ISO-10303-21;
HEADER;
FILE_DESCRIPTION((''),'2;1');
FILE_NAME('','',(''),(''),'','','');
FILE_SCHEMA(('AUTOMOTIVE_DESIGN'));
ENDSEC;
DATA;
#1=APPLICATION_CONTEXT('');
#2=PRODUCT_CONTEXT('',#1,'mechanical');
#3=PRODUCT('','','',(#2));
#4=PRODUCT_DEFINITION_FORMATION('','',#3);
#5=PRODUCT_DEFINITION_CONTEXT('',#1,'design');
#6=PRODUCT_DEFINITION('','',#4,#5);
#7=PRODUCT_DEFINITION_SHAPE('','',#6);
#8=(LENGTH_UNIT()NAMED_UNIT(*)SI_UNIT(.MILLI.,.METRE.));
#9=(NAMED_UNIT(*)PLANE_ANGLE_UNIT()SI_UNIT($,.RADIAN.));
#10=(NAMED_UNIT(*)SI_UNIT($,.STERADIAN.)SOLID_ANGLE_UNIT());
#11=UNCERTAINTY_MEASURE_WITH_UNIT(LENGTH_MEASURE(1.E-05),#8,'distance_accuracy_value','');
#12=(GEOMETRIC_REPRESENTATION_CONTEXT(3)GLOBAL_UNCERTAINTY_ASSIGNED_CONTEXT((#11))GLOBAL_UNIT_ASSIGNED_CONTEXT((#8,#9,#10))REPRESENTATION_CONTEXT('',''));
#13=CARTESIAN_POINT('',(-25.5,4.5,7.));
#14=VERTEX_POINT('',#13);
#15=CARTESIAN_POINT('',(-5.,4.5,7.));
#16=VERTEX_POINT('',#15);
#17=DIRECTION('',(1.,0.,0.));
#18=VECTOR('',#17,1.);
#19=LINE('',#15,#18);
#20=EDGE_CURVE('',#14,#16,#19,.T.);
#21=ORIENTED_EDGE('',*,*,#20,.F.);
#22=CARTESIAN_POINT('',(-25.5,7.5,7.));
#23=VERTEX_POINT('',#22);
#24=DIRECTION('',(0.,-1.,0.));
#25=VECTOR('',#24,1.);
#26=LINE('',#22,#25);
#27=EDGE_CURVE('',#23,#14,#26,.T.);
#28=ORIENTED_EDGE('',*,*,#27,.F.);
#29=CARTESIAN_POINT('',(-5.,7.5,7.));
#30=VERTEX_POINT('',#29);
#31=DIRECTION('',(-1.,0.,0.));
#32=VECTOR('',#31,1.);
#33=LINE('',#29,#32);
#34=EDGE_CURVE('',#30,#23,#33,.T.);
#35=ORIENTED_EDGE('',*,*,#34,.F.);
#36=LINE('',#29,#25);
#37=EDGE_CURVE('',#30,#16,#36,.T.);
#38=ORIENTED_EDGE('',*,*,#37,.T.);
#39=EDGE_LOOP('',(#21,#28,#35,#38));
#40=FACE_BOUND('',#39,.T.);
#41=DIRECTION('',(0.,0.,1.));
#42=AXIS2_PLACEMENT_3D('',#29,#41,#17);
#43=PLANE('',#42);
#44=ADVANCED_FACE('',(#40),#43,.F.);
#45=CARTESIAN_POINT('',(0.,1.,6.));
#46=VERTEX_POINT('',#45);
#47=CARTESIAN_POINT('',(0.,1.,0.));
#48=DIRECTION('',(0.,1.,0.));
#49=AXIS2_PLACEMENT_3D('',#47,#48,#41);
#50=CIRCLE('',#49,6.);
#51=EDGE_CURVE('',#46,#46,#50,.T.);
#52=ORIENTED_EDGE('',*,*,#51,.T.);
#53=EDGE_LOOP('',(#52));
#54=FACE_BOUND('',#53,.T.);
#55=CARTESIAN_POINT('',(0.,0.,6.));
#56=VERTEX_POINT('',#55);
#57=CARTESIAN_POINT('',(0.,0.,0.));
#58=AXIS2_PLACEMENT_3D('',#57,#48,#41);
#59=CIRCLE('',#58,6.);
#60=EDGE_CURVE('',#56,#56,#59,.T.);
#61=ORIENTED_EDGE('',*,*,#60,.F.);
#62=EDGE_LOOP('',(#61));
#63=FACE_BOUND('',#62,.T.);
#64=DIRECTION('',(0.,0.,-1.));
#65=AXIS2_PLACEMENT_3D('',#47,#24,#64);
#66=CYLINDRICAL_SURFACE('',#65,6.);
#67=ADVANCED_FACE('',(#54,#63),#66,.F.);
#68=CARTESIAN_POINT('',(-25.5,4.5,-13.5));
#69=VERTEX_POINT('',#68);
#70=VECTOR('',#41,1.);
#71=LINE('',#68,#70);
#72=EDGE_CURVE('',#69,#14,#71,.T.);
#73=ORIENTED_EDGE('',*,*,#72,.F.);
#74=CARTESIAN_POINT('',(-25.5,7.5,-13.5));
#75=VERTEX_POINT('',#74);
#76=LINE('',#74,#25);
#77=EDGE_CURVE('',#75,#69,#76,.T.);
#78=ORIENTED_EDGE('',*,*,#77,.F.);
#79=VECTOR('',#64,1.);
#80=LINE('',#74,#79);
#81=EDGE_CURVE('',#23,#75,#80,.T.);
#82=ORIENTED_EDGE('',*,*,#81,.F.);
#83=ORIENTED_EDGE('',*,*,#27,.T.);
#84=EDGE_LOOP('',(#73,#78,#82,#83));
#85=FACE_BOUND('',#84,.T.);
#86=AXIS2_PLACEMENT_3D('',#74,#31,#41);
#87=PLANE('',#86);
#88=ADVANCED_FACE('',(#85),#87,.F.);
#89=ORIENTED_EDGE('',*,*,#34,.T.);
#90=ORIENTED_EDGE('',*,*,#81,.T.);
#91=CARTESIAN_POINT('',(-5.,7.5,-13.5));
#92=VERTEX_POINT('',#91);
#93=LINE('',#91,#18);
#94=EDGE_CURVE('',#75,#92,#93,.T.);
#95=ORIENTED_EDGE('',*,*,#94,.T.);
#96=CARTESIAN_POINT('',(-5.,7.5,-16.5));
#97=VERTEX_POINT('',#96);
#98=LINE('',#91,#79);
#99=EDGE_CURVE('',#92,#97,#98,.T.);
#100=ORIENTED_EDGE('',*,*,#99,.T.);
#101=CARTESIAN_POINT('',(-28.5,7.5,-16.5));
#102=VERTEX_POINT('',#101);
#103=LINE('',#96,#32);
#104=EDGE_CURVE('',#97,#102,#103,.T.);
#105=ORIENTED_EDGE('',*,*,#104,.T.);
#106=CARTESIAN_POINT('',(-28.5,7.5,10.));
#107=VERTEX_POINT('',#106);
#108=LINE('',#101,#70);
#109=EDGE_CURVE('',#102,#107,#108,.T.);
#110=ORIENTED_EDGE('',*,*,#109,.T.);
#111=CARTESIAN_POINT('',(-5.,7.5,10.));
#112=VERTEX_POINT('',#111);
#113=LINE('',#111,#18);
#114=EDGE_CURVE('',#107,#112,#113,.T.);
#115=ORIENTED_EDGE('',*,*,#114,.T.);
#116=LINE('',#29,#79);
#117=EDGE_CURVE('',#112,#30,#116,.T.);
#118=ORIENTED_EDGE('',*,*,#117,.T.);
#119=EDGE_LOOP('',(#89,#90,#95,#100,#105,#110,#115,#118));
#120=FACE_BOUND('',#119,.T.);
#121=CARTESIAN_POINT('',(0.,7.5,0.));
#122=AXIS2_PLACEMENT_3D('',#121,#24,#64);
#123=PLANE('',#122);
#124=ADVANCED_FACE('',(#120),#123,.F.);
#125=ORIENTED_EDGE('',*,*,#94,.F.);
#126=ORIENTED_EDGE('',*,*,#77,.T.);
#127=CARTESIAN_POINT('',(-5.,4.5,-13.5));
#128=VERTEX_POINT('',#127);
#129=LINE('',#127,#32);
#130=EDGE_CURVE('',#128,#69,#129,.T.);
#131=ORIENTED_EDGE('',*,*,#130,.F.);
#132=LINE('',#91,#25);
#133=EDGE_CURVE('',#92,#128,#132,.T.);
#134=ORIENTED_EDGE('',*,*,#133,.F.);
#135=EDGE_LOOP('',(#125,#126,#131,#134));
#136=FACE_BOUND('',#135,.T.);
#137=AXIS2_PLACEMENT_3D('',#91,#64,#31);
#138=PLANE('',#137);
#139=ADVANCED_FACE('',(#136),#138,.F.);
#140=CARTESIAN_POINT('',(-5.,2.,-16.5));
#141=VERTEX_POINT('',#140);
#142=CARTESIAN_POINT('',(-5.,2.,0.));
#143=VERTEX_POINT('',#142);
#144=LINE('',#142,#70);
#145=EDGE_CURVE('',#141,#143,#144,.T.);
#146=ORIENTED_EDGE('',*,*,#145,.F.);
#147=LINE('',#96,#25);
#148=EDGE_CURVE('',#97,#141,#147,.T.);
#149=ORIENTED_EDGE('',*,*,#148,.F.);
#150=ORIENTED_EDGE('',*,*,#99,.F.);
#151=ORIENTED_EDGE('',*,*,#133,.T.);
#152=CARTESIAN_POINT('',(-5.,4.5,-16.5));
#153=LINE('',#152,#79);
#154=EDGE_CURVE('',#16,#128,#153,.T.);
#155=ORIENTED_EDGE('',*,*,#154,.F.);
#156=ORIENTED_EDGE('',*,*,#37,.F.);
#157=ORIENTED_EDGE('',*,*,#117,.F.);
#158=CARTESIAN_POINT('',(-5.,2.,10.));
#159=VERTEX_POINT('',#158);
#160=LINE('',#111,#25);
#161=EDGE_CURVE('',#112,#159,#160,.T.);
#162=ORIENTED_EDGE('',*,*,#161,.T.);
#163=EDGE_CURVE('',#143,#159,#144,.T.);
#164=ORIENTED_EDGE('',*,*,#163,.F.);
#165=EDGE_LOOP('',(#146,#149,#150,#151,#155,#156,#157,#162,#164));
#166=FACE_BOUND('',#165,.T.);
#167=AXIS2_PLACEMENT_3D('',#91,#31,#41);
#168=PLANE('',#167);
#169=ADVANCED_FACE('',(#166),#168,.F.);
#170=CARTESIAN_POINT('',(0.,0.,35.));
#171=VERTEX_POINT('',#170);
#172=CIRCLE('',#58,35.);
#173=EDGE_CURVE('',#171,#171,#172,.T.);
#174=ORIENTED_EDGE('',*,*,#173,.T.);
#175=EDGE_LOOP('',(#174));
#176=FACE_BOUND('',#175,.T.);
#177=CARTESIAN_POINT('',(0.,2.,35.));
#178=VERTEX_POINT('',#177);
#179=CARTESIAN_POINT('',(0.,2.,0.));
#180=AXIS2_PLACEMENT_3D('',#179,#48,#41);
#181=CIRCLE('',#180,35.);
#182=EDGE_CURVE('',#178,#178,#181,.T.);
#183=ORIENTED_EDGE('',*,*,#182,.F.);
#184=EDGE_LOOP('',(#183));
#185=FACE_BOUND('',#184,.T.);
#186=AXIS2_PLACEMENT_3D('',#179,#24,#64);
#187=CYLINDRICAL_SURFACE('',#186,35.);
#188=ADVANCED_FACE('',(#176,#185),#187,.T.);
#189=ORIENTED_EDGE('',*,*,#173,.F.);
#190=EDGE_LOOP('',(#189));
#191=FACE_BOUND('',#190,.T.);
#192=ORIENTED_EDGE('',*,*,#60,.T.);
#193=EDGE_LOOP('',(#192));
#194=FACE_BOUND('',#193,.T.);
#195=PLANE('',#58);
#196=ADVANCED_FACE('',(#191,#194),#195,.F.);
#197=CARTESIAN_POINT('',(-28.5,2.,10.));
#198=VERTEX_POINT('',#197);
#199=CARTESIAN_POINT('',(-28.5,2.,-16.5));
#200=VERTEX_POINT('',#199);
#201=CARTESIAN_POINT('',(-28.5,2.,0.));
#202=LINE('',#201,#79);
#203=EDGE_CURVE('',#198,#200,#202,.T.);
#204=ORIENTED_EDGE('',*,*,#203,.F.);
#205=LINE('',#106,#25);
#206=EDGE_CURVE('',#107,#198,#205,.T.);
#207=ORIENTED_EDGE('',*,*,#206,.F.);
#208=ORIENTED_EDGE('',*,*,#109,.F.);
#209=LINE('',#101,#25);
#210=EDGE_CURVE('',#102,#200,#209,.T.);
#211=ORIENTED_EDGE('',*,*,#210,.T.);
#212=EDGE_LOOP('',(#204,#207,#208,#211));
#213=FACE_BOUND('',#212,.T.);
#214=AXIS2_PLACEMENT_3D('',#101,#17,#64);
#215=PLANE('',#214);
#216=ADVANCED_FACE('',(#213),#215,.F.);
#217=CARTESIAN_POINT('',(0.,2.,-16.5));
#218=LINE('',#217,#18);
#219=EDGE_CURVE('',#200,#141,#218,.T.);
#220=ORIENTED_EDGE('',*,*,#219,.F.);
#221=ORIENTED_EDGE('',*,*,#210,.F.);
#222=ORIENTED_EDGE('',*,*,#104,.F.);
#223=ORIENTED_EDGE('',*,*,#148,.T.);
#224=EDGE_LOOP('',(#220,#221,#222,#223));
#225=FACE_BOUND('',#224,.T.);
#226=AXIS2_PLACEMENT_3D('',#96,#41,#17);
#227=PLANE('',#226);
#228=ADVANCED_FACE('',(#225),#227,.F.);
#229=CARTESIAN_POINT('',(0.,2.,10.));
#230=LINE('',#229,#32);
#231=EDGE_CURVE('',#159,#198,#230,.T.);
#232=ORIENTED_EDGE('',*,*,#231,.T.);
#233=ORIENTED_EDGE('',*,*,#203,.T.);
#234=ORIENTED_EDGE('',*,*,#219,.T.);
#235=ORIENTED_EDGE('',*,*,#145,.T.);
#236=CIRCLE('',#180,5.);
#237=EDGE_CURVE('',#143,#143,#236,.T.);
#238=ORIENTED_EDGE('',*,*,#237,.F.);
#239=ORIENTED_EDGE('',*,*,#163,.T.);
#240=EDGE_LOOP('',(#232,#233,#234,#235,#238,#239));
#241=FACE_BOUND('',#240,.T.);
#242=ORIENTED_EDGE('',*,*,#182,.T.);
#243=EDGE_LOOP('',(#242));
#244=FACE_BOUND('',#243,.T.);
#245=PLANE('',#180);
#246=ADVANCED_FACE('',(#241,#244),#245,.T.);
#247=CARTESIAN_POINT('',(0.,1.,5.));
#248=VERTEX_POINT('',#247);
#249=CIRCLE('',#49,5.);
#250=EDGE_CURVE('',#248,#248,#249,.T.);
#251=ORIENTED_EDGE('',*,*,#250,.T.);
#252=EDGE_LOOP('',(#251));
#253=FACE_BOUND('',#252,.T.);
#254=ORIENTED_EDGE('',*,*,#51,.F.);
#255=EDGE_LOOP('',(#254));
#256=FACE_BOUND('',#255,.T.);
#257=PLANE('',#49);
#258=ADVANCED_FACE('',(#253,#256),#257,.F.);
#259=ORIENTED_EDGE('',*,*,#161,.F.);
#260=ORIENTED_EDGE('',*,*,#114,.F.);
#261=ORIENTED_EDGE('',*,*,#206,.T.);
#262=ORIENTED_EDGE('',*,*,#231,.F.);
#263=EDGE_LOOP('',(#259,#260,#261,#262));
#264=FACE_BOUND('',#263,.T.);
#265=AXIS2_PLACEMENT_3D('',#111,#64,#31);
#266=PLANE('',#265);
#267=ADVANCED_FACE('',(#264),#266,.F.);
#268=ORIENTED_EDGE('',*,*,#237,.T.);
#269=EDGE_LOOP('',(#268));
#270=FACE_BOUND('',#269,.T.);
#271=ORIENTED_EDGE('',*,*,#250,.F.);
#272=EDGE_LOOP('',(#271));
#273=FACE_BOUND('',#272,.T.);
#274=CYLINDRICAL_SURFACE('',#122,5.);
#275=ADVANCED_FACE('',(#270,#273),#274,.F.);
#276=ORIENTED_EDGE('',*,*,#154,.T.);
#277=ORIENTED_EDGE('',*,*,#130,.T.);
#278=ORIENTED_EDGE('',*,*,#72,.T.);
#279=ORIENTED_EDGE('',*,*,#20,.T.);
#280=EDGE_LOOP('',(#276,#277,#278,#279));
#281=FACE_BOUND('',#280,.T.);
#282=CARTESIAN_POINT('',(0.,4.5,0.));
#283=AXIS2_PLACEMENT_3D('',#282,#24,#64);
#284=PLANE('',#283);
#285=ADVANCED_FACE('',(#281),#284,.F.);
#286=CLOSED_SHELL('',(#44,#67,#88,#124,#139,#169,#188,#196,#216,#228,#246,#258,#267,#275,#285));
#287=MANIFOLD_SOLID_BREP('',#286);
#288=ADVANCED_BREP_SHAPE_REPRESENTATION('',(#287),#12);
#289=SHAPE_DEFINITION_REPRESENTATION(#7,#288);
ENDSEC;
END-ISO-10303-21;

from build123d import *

# Parameters (mm, degrees)
SKETCH1_R               = 35
BOSS_EXTRUDE1_DEPTH     = 2
SKETCH3_R               = 6
CUT_EXTRUDE2_DEPTH      = 1
BOSS_EXTRUDE2_DEPTH     = 7.5
CUT_EXTRUDE3_DEPTH      = 50.922439844
CUT_EXTRUDE3_DEPTH_BACK = 50.922439844
SKETCH5_R               = 5
SKETCH6_W               = 23.5
SKETCH6_H               = 26.5
BOSS_EXTRUDE3_DEPTH     = 2.5


with BuildPart() as part:
    # Sketch1 → Boss-Extrude1 (new body)
    with BuildSketch(Plane(origin=(0, 0, 0), x_dir=(1, 0, 0), z_dir=(0, 1, 0))):
        with Locations(Location((0, 0, 0), (0, 0, 270))):
            Circle(SKETCH1_R)
    extrude(amount=BOSS_EXTRUDE1_DEPTH)

    # Sketch3 → Cut-Extrude2 (cut)
    with BuildSketch(Plane(origin=(0, 0, 0), x_dir=(1, 0, 0), z_dir=(0, 1, 0))):
        with Locations(Location((0, 0, 0), (0, 0, 270))):
            Circle(SKETCH3_R)
    extrude(amount=CUT_EXTRUDE2_DEPTH, mode=Mode.SUBTRACT)

    # Sketch4 → Boss-Extrude2 (add)
    with BuildSketch(Plane(origin=(0, 0, 0), x_dir=(1, 0, 0), z_dir=(0, 1, 0))):
        Polygon((-5, 13.5), (-5, 16.5), (-28.5, 16.5), (-28.5, -10), (-5, -10), (-5, -7), (-25.5, -7), (-25.5, 13.5), align=None)
    extrude(amount=BOSS_EXTRUDE2_DEPTH)

    # Sketch5 → Cut-Extrude3 (cut, two sides: drawn at the far end of the back side and taken through both)
    with BuildSketch(Plane.XZ.offset(-1).offset(-CUT_EXTRUDE3_DEPTH_BACK)):
        with Locations(Location((0, 0, 0), (0, 0, 270))):
            Circle(SKETCH5_R)
    extrude(amount=CUT_EXTRUDE3_DEPTH + CUT_EXTRUDE3_DEPTH_BACK, mode=Mode.SUBTRACT)

    # Sketch6 → Boss-Extrude3 (add)
    with BuildSketch(Plane(origin=(0, 2, 0), x_dir=(1, 0, 0), z_dir=(0, 1, 0))):
        with Locations((-16.75, 3.25)):
            Rectangle(SKETCH6_W, SKETCH6_H)
    extrude(amount=BOSS_EXTRUDE3_DEPTH)


solid = part.part
